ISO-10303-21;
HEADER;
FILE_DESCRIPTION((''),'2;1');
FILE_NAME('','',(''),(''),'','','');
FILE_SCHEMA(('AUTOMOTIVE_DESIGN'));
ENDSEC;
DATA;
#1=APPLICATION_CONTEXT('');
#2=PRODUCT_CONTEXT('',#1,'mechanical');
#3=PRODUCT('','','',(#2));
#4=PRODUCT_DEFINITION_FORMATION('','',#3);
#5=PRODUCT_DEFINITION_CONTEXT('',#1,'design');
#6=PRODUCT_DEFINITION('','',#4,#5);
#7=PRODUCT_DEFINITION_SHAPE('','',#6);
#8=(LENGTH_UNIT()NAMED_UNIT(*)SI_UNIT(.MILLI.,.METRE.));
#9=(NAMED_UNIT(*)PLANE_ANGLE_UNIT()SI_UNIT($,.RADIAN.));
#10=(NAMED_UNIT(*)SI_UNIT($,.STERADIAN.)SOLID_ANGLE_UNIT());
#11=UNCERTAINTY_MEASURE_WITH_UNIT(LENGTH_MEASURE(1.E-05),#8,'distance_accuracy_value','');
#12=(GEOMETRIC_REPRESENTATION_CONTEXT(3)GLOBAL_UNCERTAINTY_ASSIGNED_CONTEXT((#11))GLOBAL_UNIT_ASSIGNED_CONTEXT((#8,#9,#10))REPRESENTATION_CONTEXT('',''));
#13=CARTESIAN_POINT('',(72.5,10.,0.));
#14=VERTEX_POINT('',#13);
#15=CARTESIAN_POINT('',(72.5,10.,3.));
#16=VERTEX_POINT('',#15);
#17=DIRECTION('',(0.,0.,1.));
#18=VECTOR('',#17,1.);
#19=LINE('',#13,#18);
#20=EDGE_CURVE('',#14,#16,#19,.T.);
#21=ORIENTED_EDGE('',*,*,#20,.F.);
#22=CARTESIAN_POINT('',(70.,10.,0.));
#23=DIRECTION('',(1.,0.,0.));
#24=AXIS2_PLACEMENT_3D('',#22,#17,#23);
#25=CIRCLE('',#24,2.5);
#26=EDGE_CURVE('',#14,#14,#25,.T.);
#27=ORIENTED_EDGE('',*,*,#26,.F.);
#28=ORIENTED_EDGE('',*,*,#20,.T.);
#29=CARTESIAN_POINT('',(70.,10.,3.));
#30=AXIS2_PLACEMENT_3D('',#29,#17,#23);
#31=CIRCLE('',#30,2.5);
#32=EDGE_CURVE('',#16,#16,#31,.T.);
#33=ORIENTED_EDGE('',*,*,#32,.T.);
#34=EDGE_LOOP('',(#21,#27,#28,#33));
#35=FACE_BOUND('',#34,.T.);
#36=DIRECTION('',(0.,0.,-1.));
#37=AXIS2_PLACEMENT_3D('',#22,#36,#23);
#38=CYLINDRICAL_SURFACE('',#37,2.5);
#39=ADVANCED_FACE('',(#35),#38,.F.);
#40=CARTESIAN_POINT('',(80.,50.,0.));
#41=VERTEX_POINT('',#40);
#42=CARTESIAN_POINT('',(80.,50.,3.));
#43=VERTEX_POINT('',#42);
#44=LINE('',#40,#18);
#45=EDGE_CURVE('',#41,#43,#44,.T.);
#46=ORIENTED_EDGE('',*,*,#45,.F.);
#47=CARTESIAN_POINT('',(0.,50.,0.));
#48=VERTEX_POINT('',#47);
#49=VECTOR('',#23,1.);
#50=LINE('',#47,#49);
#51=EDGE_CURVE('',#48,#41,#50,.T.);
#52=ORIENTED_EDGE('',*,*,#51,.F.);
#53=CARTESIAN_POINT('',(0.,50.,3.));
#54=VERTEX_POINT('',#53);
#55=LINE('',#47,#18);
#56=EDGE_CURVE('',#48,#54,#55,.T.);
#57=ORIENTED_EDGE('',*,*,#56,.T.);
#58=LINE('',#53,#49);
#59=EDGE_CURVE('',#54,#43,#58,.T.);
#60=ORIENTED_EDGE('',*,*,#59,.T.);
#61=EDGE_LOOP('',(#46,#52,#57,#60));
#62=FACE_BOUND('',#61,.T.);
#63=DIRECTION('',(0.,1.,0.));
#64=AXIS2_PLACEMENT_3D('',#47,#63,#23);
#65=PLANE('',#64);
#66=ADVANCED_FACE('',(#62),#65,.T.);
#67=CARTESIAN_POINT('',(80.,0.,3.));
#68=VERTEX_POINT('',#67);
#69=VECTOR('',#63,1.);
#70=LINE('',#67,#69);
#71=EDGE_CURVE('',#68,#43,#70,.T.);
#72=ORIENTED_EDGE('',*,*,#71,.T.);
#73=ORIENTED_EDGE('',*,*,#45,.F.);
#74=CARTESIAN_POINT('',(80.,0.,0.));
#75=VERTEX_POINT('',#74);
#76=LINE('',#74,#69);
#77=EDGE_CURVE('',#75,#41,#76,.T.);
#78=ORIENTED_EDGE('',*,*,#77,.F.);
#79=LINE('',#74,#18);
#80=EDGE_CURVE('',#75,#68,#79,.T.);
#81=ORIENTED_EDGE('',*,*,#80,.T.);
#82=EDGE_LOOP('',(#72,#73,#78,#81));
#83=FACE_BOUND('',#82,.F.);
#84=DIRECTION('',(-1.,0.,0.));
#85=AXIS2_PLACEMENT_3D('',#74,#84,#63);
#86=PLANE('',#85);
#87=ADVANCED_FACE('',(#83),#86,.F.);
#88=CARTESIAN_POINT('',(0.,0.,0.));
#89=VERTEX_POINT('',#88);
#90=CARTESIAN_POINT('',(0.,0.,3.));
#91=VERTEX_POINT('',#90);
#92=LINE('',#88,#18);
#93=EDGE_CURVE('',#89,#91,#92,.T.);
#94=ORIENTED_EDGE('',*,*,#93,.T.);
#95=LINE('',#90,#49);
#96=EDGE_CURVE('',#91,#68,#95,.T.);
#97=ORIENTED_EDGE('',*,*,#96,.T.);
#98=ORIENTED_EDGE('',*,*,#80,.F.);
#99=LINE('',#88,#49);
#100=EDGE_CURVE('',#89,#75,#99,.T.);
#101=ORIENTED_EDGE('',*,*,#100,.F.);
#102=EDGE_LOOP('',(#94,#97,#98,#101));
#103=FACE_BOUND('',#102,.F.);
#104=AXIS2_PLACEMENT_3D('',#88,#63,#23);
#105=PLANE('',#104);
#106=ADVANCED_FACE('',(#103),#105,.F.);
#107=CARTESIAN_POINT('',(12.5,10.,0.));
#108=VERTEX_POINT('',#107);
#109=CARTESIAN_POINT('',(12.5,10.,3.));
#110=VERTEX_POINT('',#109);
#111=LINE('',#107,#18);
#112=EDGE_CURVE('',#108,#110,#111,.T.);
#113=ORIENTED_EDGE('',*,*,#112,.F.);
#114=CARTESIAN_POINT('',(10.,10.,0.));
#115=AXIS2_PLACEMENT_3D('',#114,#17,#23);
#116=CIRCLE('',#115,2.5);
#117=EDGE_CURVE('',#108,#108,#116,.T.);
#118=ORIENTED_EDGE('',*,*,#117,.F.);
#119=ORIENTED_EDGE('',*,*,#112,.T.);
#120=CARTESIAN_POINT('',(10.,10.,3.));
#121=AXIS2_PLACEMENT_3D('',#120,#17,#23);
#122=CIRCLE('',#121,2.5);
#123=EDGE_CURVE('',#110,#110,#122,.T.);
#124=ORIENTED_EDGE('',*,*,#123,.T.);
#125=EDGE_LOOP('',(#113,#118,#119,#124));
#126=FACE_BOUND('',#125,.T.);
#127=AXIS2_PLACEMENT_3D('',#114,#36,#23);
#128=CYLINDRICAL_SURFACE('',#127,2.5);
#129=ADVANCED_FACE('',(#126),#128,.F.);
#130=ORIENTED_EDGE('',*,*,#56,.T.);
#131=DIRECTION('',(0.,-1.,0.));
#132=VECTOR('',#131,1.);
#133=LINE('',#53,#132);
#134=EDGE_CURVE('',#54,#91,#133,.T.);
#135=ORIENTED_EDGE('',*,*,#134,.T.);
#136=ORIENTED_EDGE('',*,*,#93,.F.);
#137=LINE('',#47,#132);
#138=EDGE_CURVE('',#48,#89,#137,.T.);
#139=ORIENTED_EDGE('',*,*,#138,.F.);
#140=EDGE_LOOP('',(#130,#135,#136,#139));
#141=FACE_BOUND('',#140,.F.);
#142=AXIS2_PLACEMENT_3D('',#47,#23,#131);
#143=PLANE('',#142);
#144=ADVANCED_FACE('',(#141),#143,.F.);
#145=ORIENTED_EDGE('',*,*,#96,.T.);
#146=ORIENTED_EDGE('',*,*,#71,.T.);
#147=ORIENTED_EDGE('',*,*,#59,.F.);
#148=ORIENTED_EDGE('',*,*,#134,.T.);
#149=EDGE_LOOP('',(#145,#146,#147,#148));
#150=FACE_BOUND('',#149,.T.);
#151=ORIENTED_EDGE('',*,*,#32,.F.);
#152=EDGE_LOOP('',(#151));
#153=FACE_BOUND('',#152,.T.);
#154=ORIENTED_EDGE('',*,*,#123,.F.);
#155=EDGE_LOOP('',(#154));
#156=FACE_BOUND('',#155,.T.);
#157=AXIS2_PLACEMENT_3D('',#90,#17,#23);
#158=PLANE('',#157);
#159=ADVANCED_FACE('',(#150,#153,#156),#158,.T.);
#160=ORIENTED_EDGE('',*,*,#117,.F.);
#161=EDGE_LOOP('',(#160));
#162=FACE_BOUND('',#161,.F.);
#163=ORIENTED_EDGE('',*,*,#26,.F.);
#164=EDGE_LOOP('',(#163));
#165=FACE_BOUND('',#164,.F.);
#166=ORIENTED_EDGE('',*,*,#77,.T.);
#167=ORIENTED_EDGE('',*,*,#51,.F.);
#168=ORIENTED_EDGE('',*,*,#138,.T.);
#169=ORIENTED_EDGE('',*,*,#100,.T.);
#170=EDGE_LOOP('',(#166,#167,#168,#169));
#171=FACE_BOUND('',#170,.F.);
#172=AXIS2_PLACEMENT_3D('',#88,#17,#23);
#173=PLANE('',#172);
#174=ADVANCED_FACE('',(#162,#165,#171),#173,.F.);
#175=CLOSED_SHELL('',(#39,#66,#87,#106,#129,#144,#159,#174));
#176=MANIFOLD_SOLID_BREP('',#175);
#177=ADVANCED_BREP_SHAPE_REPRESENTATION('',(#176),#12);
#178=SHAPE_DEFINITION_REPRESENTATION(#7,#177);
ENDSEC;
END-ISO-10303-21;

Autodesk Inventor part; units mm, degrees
ref_plane "YZ Plane" through (0, 0, 0) normal (1, 0, 0) x (0, 1, 0)
ref_plane "XZ Plane" through (0, 0, 0) normal (0, 1, 0) x (-1, 0, 0)
ref_plane "XY Plane" through (0, 0, 0) normal (0, 0, 1) x (1, 0, 0)
sketch "スケッチ1" plane through (0, 0, 0) normal (0, 0, 1) x (1, 0, 0)
  line L0 (0, 0) -> (80, 0)
  line L1 (80, 0) -> (80, 50)
  line L2 (40, 0) -> (40, 73.3333) construction
  line L3 (0, 50) -> (0, 0)
  circle A0 centre (10, 10) radius 2.5
  circle A1 centre (70, 10) radius 2.5
  line L4 (10, 10) -> (70, 10) construction
  line L5 (0, 50) -> (80, 50)
  dimension "d2" = 80
  dimension "d6" = 5
  dimension "d7" = 10
  dimension "d14" = 10
  dimension "d17" = 50
extrude "押し出し1" add sketch "スケッチ1" along normal blind 3
properties part number "車軸受け板"
